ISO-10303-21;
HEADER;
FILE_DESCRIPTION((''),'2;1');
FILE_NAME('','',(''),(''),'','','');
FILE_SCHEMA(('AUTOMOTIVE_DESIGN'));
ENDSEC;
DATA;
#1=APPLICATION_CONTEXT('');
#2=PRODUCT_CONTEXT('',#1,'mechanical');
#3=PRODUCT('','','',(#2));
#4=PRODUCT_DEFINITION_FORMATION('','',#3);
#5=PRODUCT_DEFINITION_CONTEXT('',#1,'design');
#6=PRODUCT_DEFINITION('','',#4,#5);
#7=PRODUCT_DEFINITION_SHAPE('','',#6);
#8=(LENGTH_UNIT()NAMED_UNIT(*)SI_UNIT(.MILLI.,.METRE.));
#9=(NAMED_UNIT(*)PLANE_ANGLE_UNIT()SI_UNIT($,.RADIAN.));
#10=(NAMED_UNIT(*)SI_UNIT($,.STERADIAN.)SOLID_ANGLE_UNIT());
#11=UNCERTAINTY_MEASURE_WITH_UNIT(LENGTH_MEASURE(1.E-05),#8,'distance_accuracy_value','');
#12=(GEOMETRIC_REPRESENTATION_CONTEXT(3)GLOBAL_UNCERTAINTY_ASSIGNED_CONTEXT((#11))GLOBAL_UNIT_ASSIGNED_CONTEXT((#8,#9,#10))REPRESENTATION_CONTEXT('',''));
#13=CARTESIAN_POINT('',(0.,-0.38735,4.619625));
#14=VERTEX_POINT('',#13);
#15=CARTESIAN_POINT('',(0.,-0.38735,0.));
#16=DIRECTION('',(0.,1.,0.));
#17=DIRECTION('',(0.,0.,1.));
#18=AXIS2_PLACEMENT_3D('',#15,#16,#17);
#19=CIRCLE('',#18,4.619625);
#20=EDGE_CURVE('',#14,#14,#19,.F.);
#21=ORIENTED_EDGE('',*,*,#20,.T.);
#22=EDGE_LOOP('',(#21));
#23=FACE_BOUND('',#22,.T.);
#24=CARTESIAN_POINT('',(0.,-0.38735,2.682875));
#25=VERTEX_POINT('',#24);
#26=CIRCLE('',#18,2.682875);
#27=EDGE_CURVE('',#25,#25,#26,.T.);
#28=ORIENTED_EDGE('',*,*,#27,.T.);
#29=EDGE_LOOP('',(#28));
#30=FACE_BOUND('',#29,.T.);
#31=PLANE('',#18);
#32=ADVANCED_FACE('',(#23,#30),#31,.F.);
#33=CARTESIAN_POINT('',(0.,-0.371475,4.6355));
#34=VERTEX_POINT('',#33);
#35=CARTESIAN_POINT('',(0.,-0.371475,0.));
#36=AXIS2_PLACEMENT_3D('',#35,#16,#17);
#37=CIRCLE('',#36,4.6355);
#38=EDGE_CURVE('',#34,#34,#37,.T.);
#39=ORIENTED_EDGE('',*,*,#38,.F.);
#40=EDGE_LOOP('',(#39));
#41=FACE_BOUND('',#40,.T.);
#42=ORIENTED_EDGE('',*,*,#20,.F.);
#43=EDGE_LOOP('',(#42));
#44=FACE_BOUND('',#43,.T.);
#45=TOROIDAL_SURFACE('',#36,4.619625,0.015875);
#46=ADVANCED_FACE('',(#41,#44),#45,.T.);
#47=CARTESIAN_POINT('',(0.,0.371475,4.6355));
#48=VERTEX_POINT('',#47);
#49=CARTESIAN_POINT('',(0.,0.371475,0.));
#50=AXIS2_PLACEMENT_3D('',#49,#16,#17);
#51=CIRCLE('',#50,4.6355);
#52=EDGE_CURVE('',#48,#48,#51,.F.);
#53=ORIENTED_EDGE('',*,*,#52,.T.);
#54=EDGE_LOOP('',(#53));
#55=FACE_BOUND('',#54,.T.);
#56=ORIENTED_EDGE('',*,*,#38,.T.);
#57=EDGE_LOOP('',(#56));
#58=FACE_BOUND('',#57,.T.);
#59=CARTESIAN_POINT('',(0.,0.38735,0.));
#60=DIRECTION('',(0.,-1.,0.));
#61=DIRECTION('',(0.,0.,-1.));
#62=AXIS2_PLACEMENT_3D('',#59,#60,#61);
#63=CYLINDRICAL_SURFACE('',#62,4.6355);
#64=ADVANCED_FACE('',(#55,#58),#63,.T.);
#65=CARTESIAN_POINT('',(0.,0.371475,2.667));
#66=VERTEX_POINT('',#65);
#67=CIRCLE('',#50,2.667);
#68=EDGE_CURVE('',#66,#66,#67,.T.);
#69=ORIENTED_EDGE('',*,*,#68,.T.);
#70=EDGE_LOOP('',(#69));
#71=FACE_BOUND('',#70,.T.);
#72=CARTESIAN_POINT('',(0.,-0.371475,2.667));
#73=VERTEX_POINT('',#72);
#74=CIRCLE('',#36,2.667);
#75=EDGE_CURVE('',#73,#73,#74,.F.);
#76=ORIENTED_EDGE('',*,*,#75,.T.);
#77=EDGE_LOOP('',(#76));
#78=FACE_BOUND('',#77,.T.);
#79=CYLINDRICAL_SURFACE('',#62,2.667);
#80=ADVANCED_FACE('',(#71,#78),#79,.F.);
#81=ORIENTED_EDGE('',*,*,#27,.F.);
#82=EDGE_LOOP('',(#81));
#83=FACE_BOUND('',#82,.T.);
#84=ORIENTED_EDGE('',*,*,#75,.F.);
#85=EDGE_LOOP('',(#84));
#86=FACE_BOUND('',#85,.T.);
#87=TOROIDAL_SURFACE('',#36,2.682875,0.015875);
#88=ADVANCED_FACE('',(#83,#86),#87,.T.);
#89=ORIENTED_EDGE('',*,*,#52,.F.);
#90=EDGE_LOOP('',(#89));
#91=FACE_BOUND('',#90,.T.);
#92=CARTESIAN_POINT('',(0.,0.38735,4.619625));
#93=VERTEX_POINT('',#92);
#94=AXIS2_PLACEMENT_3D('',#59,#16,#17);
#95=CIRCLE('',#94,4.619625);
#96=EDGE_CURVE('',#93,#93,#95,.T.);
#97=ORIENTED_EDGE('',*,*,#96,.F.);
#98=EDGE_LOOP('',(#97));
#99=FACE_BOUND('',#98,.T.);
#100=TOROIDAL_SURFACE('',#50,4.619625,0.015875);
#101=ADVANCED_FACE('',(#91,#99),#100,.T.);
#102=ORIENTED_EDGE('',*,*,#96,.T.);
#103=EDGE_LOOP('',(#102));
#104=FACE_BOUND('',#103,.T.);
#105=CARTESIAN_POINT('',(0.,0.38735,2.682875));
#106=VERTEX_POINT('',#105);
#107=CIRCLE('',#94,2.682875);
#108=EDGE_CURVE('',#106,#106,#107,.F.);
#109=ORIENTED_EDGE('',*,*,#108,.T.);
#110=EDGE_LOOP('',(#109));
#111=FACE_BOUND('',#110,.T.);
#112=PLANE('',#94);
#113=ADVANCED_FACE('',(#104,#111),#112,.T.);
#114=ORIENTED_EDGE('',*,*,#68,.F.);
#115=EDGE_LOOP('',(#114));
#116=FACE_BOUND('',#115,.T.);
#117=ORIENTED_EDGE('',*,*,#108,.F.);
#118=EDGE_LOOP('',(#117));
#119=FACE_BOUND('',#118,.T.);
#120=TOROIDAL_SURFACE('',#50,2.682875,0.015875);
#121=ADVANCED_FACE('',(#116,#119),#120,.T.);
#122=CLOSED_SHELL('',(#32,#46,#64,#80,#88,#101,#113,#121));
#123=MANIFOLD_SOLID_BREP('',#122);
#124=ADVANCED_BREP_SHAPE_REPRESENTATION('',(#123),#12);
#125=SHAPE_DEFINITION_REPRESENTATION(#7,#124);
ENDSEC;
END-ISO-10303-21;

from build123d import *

# Parameters (mm, degrees)
SKETCH3_R           = 4.6355
SKETCH3_R_2         = 2.667
BOSS_EXTRUDE1_DEPTH = 0.38735
FILLET1_R           = 0.015875


with BuildPart() as part:
    # Sketch3 → Boss-Extrude1 (new, symmetric)
    with BuildSketch(Plane(origin=(0, 0, 0), x_dir=(1, 0, 0), z_dir=(0, 1, 0))):
        with Locations(Location((0, 0, 0), (0, 0, 270))):
            Circle(SKETCH3_R)
        with Locations(Location((0, 0, 0), (0, 0, 270))):
            Circle(SKETCH3_R_2, mode=Mode.SUBTRACT)
    extrude(amount=BOSS_EXTRUDE1_DEPTH, both=True)

    # Fillet1
    fillet1_edges = [part.edges().sort_by_distance(p)[0] for p in [
        (0, -0.38735, -4.6355),
        (0, 0.38735, -4.6355),
        (0, -0.38735, -2.667),
        (0, 0.38735, -2.667),
    ]]
    fillet(fillet1_edges, radius=FILLET1_R)


solid = part.part
